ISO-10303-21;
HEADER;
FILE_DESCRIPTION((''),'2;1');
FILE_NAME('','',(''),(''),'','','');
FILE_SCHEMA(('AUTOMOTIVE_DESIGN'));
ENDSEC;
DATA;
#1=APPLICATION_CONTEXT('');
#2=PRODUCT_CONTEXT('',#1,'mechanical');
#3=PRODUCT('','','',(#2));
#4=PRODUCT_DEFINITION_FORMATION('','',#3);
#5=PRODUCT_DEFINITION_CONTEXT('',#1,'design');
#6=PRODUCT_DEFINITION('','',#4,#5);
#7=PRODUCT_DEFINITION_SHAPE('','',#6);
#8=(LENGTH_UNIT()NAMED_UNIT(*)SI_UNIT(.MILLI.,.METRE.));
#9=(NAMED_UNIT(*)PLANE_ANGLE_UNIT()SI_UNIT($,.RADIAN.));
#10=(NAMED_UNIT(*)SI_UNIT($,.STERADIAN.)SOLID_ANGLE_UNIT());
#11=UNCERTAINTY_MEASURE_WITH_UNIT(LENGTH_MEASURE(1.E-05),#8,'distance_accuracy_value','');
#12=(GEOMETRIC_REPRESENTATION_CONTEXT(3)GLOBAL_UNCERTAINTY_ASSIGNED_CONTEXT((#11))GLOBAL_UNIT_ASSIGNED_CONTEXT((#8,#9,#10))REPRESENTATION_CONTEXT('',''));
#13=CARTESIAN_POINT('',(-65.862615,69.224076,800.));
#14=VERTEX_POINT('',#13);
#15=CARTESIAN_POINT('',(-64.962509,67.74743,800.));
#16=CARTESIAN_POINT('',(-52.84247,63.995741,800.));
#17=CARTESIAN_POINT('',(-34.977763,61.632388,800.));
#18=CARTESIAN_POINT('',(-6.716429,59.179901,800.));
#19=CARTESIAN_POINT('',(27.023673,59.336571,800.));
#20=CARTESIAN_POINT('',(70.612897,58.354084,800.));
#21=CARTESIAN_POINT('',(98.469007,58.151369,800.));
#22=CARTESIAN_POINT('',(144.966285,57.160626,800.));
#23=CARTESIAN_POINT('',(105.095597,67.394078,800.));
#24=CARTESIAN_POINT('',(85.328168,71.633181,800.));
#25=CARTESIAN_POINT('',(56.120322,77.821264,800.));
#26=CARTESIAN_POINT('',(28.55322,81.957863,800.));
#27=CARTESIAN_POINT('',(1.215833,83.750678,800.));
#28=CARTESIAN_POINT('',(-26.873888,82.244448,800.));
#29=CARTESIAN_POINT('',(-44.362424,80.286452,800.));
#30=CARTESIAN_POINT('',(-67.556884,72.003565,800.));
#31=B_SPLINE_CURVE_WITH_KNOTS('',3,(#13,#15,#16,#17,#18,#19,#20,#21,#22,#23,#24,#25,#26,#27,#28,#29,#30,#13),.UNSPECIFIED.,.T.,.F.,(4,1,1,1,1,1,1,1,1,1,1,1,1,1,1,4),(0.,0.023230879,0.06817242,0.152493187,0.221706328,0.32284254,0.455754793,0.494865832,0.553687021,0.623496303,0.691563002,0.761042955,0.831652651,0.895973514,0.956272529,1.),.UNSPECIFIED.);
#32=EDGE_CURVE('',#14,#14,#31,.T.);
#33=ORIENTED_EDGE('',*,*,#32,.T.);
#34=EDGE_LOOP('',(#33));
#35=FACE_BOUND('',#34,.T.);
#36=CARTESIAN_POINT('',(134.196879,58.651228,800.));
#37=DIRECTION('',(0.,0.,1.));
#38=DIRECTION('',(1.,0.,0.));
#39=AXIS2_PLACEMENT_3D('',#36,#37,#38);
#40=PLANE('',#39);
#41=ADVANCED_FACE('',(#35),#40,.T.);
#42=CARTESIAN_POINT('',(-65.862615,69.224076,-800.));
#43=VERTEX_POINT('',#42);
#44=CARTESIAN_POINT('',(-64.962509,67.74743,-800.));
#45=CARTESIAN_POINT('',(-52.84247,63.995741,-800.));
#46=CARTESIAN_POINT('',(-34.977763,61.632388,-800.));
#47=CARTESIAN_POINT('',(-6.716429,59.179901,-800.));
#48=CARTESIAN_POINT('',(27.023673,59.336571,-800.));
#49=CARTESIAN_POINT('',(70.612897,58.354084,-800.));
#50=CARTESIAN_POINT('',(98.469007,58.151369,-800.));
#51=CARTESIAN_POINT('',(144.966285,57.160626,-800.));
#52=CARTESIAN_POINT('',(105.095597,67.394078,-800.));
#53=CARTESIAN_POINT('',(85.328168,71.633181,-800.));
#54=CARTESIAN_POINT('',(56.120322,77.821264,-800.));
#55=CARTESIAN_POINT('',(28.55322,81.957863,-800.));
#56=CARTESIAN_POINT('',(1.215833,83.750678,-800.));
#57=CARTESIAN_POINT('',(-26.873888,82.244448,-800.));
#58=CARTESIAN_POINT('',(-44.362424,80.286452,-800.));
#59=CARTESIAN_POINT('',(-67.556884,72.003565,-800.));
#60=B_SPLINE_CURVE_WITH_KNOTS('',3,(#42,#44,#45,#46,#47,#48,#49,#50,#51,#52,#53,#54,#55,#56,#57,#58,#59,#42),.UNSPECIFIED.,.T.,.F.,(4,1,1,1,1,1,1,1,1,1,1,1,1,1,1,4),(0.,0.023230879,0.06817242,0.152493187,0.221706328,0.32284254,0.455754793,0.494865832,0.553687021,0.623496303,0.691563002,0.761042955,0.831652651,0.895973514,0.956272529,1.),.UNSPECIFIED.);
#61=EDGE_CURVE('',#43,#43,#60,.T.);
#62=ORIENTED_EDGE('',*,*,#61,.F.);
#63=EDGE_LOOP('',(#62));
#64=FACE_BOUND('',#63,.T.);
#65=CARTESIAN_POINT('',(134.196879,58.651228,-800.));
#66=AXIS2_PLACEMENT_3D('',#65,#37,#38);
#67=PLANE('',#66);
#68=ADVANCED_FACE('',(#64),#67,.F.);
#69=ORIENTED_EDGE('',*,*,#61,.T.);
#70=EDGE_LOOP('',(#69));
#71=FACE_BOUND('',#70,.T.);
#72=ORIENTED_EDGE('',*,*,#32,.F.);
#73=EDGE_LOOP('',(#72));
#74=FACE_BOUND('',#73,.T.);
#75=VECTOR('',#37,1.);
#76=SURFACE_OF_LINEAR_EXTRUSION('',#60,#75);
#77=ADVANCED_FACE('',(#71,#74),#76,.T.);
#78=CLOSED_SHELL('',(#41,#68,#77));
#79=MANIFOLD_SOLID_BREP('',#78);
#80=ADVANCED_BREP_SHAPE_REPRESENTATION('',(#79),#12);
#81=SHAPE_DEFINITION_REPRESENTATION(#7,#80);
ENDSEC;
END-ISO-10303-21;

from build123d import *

# Parameters (mm, degrees)
BOSS_EXTRUDE1_DEPTH      = 800
BOSS_EXTRUDE1_DEPTH_BACK = 800


with BuildPart() as part:
    # Sketch1 → Boss-Extrude1 (new, two sides: drawn at the far end of the back side and taken through both)
    with BuildSketch(Plane.XY.offset(-BOSS_EXTRUDE1_DEPTH_BACK)):
        with BuildLine():
            add(Edge.make_bspline(
                [(-65.862614777, 69.224075689), (-67.556883923, 72.003565006), (-44.362424494, 80.286451806), (-26.873888152, 82.244447814), (1.21583298, 83.750678394), (28.553220326, 81.957863084), (56.120321575, 77.821263703), (85.328168176, 71.63318079), (105.095596541, 67.394078381), (144.966284619, 57.160625882), (98.46900743, 58.151369471), (70.612897037, 58.354083886), (27.023673336, 59.336570503), (-6.716429442, 59.179901034), (-34.977762924, 61.632387723), (-52.842470304, 63.995741015), (-64.962508724, 67.747430042), (-65.862614777, 69.224075689)],
                knots=[0, 0, 0, 0, 0.043727471, 0.104026486, 0.168347349, 0.238957045, 0.308436998, 0.376503697, 0.446312979, 0.505134168, 0.544245207, 0.67715746, 0.778293672, 0.847506813, 0.93182758, 0.976769121, 1, 1, 1, 1], degree=3))
        make_face()
    extrude(amount=BOSS_EXTRUDE1_DEPTH + BOSS_EXTRUDE1_DEPTH_BACK)


solid = part.part
